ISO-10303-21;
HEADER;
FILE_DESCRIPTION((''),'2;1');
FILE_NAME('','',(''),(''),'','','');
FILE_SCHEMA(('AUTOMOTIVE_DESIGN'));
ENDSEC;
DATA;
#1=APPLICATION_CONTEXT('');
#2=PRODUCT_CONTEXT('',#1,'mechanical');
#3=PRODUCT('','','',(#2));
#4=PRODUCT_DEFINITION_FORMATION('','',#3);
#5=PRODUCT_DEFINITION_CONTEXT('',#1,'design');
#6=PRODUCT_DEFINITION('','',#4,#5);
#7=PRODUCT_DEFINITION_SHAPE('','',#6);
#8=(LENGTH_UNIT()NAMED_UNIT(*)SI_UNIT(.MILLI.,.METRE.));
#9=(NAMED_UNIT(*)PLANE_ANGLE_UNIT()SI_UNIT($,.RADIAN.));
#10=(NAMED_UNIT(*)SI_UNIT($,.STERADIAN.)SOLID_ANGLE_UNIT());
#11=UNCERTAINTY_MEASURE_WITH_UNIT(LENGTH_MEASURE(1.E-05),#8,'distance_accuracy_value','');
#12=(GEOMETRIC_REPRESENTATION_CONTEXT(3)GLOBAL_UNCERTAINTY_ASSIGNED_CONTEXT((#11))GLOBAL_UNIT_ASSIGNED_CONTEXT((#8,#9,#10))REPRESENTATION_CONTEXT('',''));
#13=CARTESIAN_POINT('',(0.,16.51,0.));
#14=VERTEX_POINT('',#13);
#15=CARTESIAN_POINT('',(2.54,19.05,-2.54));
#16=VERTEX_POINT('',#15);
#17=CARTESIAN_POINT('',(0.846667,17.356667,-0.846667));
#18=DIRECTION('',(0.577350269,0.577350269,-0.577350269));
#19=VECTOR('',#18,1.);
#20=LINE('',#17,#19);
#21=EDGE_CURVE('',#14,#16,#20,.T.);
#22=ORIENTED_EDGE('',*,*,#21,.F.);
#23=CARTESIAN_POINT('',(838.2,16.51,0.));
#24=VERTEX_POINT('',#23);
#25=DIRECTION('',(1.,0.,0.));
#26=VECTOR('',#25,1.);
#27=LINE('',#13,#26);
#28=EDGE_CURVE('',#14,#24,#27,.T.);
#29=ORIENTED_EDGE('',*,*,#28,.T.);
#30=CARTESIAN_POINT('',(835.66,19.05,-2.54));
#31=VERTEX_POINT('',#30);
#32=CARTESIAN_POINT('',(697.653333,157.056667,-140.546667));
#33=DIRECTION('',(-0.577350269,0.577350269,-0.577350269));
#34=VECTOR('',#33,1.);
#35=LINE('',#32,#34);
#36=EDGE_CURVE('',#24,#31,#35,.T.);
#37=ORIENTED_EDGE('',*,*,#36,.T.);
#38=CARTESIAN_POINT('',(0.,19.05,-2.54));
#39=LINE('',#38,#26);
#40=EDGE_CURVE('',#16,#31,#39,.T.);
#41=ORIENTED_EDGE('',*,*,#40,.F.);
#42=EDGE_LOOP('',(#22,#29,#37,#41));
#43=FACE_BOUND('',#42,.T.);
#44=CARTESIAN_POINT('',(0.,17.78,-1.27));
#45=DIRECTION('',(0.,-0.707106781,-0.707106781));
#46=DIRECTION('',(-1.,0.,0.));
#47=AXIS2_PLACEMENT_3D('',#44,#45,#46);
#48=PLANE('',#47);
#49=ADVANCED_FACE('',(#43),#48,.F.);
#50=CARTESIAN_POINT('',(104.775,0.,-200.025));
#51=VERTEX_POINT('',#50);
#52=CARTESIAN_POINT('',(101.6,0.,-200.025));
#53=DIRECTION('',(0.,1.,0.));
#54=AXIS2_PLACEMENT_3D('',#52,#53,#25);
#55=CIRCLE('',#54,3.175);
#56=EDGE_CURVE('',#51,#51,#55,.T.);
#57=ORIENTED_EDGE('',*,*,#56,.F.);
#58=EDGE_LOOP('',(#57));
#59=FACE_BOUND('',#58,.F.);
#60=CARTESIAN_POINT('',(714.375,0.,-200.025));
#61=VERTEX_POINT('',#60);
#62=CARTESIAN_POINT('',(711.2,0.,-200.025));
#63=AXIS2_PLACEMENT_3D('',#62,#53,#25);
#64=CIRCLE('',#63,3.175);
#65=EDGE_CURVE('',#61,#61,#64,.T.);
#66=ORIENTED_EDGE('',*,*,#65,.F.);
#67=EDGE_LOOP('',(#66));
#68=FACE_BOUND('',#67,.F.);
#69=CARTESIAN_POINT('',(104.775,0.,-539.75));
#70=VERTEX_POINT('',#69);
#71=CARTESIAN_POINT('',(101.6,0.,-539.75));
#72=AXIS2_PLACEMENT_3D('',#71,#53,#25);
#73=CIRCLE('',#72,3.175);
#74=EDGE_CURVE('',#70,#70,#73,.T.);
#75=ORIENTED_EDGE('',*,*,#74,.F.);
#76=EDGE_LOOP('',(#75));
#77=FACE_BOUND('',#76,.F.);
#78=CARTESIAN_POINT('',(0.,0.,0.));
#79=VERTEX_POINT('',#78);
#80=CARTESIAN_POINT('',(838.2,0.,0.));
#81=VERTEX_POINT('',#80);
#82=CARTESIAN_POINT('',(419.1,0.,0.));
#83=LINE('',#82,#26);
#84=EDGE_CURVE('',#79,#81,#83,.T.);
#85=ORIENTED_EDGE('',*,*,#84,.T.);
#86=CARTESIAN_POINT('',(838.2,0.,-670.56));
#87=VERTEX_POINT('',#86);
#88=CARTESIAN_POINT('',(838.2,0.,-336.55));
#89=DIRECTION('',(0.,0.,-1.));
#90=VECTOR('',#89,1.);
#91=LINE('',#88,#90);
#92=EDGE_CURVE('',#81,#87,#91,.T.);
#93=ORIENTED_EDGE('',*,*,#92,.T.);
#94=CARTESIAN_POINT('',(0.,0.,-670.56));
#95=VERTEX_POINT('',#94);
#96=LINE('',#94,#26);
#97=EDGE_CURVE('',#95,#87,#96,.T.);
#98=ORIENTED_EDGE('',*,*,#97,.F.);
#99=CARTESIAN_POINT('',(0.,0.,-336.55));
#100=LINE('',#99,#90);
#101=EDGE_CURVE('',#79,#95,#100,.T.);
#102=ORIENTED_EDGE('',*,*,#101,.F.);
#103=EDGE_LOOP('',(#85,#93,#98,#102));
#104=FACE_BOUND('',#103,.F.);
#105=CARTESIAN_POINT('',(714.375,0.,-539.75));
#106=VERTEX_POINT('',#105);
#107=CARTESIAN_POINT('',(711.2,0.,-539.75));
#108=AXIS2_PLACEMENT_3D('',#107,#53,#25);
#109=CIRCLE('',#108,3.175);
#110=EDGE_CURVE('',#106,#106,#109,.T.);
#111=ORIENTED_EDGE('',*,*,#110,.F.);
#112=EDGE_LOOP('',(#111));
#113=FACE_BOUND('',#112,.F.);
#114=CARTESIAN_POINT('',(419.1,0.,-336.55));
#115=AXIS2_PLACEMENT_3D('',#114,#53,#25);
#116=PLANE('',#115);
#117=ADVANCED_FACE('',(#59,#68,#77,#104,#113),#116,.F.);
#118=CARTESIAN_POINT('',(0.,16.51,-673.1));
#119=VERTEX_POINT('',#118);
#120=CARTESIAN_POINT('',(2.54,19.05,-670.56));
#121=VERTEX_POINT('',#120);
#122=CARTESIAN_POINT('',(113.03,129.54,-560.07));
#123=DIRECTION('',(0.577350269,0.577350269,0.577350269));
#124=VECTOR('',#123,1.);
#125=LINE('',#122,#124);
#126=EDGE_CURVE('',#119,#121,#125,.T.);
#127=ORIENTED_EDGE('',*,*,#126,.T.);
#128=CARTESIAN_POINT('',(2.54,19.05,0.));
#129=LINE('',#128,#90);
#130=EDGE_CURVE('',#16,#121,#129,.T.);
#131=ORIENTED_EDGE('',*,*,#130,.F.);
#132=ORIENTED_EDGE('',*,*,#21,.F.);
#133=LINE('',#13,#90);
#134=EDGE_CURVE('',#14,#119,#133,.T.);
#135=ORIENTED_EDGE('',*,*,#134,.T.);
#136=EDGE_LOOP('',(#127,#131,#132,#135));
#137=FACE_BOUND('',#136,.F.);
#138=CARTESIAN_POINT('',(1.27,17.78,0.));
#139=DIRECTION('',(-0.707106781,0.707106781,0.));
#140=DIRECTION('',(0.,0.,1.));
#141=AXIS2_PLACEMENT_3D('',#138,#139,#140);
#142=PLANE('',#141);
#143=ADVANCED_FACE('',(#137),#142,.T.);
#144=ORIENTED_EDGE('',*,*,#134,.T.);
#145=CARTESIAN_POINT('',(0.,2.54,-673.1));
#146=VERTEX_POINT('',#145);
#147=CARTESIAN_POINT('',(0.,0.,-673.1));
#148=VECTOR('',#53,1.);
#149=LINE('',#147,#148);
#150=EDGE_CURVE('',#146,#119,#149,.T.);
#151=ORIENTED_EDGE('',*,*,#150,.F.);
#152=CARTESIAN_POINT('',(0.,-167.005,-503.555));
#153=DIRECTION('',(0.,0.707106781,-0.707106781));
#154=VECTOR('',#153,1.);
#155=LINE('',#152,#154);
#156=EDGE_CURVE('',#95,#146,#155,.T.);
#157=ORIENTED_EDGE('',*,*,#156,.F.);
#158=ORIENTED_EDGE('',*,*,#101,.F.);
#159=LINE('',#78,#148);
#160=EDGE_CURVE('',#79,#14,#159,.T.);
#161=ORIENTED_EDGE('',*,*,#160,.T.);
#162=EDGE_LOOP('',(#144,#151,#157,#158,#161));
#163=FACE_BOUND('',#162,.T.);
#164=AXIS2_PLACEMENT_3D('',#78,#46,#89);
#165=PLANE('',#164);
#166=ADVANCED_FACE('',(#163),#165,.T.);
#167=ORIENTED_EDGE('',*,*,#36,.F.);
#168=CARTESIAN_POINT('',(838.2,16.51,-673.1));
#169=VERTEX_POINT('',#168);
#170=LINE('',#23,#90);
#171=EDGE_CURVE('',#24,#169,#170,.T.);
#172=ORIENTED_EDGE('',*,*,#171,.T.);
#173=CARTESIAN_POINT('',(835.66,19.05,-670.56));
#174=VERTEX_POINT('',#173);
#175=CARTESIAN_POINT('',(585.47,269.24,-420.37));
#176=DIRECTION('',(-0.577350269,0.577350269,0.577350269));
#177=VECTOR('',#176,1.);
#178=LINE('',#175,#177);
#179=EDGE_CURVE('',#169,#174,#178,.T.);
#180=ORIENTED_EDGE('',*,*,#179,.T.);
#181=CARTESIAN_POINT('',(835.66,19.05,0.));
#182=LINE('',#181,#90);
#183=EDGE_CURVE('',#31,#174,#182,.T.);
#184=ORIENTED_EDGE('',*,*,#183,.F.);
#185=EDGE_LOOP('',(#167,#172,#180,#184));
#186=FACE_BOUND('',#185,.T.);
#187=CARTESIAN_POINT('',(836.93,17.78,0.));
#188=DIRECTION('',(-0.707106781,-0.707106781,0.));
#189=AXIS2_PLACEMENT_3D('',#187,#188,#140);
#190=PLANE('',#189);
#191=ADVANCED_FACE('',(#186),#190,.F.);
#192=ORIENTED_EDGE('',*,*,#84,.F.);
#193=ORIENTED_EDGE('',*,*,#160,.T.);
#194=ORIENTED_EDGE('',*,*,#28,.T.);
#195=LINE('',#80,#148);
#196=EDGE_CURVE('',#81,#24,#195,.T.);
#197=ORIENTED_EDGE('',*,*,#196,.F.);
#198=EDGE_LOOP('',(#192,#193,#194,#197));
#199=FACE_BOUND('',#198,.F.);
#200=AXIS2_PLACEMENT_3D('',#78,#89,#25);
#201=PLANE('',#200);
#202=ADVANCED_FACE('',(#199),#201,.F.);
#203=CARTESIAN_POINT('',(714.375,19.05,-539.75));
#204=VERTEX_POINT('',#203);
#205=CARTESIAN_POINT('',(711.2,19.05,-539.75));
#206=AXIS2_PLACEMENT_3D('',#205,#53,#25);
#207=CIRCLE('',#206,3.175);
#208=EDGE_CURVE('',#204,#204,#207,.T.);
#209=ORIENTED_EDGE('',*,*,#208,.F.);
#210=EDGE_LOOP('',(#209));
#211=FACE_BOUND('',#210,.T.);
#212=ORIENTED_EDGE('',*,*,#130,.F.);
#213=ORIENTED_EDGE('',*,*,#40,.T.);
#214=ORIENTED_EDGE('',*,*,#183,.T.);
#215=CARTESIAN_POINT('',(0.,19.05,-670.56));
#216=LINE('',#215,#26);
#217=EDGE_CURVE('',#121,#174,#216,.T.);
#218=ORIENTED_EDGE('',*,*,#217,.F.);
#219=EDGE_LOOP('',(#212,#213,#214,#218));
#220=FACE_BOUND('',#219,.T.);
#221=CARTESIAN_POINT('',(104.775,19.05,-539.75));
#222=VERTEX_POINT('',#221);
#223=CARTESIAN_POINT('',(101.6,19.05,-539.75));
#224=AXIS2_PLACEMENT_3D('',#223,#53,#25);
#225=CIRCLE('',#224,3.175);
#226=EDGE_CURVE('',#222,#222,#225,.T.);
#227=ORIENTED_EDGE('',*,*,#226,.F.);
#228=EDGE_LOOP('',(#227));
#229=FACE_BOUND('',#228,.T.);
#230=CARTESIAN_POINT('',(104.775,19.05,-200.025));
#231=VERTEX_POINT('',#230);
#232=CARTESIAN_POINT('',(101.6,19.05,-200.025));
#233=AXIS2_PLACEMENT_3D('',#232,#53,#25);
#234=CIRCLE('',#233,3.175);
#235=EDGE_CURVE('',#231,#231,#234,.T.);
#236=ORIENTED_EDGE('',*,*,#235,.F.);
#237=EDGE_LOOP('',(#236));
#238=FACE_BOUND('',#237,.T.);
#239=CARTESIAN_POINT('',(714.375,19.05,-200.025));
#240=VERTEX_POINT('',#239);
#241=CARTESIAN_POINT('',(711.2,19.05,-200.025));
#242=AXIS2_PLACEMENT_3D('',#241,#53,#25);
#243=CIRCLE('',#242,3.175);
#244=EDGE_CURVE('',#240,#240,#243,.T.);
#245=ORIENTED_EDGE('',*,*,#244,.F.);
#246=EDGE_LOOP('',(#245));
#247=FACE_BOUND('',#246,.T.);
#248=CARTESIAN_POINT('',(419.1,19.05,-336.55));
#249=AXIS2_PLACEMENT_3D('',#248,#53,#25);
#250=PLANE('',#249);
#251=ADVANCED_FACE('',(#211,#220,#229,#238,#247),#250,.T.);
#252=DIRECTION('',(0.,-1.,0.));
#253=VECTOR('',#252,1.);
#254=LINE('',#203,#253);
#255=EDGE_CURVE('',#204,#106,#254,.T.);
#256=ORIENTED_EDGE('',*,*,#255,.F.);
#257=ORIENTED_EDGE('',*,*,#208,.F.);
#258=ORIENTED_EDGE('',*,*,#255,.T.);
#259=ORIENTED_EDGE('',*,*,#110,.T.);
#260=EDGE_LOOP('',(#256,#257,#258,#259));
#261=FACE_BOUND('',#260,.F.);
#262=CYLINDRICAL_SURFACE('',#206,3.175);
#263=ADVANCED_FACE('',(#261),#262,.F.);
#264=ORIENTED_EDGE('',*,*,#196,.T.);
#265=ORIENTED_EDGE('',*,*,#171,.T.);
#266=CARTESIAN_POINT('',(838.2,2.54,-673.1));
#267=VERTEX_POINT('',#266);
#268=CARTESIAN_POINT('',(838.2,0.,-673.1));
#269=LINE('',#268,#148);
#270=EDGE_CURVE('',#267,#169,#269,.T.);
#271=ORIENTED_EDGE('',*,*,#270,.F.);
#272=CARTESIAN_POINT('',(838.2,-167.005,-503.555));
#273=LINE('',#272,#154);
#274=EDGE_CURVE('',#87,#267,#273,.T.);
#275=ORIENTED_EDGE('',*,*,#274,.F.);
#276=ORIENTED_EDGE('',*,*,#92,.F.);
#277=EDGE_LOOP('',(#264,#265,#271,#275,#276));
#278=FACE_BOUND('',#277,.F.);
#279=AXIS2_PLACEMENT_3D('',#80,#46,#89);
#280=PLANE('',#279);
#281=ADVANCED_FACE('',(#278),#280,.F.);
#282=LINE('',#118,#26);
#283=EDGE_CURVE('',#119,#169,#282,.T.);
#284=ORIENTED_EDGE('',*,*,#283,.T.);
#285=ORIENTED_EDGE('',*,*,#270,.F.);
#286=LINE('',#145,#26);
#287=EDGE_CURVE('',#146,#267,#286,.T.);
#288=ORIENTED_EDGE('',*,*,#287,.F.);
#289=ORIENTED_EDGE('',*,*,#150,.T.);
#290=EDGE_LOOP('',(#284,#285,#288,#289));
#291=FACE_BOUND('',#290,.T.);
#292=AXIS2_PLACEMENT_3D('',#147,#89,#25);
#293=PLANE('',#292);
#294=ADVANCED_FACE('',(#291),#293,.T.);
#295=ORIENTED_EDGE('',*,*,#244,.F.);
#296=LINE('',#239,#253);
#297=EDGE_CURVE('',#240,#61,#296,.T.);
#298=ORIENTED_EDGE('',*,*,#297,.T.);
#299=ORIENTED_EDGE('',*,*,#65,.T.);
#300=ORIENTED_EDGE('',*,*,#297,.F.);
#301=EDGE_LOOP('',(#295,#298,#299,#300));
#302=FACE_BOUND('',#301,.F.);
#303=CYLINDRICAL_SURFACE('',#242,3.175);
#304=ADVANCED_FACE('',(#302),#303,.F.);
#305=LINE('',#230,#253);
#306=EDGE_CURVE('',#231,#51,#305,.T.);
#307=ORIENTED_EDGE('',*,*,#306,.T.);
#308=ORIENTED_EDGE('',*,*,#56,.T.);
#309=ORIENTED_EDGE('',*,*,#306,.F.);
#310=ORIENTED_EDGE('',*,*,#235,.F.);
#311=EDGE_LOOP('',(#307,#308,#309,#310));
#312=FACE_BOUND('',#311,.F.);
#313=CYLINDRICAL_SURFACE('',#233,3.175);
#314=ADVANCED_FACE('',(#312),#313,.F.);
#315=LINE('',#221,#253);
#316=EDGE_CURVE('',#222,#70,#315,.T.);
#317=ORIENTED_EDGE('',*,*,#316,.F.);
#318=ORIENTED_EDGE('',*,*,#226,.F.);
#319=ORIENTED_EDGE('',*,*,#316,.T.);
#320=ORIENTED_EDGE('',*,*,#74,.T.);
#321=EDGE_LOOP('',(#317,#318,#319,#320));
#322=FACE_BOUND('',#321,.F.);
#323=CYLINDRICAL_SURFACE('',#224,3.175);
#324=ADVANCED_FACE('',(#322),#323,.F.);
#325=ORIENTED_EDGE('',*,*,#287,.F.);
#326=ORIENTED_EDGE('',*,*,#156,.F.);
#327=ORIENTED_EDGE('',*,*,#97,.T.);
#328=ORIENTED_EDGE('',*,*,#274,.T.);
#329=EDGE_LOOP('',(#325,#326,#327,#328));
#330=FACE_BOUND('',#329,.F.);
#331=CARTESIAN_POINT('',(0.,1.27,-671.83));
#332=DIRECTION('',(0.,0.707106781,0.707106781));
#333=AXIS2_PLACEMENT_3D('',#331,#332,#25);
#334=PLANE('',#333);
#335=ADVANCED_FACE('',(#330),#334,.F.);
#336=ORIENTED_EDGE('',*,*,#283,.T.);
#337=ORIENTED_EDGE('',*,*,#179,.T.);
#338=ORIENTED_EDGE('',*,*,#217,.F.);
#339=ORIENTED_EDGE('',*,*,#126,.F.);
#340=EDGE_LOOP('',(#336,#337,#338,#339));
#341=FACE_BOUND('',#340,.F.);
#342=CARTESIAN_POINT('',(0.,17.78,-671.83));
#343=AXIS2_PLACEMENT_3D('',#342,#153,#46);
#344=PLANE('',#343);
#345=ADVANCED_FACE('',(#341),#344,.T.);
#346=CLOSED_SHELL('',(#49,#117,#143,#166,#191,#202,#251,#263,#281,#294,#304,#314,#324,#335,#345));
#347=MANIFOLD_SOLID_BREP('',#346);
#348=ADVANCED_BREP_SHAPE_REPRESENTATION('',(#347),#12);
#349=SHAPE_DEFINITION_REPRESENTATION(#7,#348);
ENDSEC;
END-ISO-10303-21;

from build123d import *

# Parameters (mm, degrees)
SKETCH1_W           = 838.2
SKETCH1_H           = 673.1
BOSS_EXTRUDE1_DEPTH = 19.05
CHAMFER1_SIZE       = 2.54
CHAMFER2_SIZE       = 2.54
SKETCH2_R           = 3.175
CUT_EXTRUDE1_DEPTH  = 20.05


with BuildPart() as part:
    # Sketch1 → Boss-Extrude1 (new body)
    with BuildSketch(Plane(origin=(0, 0, 0), x_dir=(1, 0, 0), z_dir=(0, 1, 0))):
        with Locations((419.1, 336.55)):
            Rectangle(SKETCH1_W, SKETCH1_H)
    extrude(amount=BOSS_EXTRUDE1_DEPTH)

    # Chamfer1
    chamfer1_edges = [part.edges().sort_by_distance(p)[0] for p in [
        (838.2, 19.05, -336.55),
        (419.1, 19.05, -673.1),
        (0, 19.05, -336.55),
        (419.1, 19.05, 0),
    ]]
    chamfer(chamfer1_edges, length=CHAMFER1_SIZE)

    # Chamfer2
    chamfer2_edges = [part.edges().sort_by_distance(p)[0] for p in [
        (419.1, 0, -673.1),
    ]]
    chamfer(chamfer2_edges, length=CHAMFER2_SIZE)

    # Sketch2 → Cut-Extrude1 (cut, through all)
    with BuildSketch(Plane(origin=(0, 19.05, 0), x_dir=(1, 0, 0), z_dir=(0, 1, 0))):
        with Locations((101.6, 539.75)):
            Circle(SKETCH2_R)
        with Locations((101.6, 200.025)):
            Circle(SKETCH2_R)
        with Locations((711.2, 539.75)):
            Circle(SKETCH2_R)
        with Locations((711.2, 200.025)):
            Circle(SKETCH2_R)
    extrude(amount=-CUT_EXTRUDE1_DEPTH, mode=Mode.SUBTRACT)


solid = part.part
